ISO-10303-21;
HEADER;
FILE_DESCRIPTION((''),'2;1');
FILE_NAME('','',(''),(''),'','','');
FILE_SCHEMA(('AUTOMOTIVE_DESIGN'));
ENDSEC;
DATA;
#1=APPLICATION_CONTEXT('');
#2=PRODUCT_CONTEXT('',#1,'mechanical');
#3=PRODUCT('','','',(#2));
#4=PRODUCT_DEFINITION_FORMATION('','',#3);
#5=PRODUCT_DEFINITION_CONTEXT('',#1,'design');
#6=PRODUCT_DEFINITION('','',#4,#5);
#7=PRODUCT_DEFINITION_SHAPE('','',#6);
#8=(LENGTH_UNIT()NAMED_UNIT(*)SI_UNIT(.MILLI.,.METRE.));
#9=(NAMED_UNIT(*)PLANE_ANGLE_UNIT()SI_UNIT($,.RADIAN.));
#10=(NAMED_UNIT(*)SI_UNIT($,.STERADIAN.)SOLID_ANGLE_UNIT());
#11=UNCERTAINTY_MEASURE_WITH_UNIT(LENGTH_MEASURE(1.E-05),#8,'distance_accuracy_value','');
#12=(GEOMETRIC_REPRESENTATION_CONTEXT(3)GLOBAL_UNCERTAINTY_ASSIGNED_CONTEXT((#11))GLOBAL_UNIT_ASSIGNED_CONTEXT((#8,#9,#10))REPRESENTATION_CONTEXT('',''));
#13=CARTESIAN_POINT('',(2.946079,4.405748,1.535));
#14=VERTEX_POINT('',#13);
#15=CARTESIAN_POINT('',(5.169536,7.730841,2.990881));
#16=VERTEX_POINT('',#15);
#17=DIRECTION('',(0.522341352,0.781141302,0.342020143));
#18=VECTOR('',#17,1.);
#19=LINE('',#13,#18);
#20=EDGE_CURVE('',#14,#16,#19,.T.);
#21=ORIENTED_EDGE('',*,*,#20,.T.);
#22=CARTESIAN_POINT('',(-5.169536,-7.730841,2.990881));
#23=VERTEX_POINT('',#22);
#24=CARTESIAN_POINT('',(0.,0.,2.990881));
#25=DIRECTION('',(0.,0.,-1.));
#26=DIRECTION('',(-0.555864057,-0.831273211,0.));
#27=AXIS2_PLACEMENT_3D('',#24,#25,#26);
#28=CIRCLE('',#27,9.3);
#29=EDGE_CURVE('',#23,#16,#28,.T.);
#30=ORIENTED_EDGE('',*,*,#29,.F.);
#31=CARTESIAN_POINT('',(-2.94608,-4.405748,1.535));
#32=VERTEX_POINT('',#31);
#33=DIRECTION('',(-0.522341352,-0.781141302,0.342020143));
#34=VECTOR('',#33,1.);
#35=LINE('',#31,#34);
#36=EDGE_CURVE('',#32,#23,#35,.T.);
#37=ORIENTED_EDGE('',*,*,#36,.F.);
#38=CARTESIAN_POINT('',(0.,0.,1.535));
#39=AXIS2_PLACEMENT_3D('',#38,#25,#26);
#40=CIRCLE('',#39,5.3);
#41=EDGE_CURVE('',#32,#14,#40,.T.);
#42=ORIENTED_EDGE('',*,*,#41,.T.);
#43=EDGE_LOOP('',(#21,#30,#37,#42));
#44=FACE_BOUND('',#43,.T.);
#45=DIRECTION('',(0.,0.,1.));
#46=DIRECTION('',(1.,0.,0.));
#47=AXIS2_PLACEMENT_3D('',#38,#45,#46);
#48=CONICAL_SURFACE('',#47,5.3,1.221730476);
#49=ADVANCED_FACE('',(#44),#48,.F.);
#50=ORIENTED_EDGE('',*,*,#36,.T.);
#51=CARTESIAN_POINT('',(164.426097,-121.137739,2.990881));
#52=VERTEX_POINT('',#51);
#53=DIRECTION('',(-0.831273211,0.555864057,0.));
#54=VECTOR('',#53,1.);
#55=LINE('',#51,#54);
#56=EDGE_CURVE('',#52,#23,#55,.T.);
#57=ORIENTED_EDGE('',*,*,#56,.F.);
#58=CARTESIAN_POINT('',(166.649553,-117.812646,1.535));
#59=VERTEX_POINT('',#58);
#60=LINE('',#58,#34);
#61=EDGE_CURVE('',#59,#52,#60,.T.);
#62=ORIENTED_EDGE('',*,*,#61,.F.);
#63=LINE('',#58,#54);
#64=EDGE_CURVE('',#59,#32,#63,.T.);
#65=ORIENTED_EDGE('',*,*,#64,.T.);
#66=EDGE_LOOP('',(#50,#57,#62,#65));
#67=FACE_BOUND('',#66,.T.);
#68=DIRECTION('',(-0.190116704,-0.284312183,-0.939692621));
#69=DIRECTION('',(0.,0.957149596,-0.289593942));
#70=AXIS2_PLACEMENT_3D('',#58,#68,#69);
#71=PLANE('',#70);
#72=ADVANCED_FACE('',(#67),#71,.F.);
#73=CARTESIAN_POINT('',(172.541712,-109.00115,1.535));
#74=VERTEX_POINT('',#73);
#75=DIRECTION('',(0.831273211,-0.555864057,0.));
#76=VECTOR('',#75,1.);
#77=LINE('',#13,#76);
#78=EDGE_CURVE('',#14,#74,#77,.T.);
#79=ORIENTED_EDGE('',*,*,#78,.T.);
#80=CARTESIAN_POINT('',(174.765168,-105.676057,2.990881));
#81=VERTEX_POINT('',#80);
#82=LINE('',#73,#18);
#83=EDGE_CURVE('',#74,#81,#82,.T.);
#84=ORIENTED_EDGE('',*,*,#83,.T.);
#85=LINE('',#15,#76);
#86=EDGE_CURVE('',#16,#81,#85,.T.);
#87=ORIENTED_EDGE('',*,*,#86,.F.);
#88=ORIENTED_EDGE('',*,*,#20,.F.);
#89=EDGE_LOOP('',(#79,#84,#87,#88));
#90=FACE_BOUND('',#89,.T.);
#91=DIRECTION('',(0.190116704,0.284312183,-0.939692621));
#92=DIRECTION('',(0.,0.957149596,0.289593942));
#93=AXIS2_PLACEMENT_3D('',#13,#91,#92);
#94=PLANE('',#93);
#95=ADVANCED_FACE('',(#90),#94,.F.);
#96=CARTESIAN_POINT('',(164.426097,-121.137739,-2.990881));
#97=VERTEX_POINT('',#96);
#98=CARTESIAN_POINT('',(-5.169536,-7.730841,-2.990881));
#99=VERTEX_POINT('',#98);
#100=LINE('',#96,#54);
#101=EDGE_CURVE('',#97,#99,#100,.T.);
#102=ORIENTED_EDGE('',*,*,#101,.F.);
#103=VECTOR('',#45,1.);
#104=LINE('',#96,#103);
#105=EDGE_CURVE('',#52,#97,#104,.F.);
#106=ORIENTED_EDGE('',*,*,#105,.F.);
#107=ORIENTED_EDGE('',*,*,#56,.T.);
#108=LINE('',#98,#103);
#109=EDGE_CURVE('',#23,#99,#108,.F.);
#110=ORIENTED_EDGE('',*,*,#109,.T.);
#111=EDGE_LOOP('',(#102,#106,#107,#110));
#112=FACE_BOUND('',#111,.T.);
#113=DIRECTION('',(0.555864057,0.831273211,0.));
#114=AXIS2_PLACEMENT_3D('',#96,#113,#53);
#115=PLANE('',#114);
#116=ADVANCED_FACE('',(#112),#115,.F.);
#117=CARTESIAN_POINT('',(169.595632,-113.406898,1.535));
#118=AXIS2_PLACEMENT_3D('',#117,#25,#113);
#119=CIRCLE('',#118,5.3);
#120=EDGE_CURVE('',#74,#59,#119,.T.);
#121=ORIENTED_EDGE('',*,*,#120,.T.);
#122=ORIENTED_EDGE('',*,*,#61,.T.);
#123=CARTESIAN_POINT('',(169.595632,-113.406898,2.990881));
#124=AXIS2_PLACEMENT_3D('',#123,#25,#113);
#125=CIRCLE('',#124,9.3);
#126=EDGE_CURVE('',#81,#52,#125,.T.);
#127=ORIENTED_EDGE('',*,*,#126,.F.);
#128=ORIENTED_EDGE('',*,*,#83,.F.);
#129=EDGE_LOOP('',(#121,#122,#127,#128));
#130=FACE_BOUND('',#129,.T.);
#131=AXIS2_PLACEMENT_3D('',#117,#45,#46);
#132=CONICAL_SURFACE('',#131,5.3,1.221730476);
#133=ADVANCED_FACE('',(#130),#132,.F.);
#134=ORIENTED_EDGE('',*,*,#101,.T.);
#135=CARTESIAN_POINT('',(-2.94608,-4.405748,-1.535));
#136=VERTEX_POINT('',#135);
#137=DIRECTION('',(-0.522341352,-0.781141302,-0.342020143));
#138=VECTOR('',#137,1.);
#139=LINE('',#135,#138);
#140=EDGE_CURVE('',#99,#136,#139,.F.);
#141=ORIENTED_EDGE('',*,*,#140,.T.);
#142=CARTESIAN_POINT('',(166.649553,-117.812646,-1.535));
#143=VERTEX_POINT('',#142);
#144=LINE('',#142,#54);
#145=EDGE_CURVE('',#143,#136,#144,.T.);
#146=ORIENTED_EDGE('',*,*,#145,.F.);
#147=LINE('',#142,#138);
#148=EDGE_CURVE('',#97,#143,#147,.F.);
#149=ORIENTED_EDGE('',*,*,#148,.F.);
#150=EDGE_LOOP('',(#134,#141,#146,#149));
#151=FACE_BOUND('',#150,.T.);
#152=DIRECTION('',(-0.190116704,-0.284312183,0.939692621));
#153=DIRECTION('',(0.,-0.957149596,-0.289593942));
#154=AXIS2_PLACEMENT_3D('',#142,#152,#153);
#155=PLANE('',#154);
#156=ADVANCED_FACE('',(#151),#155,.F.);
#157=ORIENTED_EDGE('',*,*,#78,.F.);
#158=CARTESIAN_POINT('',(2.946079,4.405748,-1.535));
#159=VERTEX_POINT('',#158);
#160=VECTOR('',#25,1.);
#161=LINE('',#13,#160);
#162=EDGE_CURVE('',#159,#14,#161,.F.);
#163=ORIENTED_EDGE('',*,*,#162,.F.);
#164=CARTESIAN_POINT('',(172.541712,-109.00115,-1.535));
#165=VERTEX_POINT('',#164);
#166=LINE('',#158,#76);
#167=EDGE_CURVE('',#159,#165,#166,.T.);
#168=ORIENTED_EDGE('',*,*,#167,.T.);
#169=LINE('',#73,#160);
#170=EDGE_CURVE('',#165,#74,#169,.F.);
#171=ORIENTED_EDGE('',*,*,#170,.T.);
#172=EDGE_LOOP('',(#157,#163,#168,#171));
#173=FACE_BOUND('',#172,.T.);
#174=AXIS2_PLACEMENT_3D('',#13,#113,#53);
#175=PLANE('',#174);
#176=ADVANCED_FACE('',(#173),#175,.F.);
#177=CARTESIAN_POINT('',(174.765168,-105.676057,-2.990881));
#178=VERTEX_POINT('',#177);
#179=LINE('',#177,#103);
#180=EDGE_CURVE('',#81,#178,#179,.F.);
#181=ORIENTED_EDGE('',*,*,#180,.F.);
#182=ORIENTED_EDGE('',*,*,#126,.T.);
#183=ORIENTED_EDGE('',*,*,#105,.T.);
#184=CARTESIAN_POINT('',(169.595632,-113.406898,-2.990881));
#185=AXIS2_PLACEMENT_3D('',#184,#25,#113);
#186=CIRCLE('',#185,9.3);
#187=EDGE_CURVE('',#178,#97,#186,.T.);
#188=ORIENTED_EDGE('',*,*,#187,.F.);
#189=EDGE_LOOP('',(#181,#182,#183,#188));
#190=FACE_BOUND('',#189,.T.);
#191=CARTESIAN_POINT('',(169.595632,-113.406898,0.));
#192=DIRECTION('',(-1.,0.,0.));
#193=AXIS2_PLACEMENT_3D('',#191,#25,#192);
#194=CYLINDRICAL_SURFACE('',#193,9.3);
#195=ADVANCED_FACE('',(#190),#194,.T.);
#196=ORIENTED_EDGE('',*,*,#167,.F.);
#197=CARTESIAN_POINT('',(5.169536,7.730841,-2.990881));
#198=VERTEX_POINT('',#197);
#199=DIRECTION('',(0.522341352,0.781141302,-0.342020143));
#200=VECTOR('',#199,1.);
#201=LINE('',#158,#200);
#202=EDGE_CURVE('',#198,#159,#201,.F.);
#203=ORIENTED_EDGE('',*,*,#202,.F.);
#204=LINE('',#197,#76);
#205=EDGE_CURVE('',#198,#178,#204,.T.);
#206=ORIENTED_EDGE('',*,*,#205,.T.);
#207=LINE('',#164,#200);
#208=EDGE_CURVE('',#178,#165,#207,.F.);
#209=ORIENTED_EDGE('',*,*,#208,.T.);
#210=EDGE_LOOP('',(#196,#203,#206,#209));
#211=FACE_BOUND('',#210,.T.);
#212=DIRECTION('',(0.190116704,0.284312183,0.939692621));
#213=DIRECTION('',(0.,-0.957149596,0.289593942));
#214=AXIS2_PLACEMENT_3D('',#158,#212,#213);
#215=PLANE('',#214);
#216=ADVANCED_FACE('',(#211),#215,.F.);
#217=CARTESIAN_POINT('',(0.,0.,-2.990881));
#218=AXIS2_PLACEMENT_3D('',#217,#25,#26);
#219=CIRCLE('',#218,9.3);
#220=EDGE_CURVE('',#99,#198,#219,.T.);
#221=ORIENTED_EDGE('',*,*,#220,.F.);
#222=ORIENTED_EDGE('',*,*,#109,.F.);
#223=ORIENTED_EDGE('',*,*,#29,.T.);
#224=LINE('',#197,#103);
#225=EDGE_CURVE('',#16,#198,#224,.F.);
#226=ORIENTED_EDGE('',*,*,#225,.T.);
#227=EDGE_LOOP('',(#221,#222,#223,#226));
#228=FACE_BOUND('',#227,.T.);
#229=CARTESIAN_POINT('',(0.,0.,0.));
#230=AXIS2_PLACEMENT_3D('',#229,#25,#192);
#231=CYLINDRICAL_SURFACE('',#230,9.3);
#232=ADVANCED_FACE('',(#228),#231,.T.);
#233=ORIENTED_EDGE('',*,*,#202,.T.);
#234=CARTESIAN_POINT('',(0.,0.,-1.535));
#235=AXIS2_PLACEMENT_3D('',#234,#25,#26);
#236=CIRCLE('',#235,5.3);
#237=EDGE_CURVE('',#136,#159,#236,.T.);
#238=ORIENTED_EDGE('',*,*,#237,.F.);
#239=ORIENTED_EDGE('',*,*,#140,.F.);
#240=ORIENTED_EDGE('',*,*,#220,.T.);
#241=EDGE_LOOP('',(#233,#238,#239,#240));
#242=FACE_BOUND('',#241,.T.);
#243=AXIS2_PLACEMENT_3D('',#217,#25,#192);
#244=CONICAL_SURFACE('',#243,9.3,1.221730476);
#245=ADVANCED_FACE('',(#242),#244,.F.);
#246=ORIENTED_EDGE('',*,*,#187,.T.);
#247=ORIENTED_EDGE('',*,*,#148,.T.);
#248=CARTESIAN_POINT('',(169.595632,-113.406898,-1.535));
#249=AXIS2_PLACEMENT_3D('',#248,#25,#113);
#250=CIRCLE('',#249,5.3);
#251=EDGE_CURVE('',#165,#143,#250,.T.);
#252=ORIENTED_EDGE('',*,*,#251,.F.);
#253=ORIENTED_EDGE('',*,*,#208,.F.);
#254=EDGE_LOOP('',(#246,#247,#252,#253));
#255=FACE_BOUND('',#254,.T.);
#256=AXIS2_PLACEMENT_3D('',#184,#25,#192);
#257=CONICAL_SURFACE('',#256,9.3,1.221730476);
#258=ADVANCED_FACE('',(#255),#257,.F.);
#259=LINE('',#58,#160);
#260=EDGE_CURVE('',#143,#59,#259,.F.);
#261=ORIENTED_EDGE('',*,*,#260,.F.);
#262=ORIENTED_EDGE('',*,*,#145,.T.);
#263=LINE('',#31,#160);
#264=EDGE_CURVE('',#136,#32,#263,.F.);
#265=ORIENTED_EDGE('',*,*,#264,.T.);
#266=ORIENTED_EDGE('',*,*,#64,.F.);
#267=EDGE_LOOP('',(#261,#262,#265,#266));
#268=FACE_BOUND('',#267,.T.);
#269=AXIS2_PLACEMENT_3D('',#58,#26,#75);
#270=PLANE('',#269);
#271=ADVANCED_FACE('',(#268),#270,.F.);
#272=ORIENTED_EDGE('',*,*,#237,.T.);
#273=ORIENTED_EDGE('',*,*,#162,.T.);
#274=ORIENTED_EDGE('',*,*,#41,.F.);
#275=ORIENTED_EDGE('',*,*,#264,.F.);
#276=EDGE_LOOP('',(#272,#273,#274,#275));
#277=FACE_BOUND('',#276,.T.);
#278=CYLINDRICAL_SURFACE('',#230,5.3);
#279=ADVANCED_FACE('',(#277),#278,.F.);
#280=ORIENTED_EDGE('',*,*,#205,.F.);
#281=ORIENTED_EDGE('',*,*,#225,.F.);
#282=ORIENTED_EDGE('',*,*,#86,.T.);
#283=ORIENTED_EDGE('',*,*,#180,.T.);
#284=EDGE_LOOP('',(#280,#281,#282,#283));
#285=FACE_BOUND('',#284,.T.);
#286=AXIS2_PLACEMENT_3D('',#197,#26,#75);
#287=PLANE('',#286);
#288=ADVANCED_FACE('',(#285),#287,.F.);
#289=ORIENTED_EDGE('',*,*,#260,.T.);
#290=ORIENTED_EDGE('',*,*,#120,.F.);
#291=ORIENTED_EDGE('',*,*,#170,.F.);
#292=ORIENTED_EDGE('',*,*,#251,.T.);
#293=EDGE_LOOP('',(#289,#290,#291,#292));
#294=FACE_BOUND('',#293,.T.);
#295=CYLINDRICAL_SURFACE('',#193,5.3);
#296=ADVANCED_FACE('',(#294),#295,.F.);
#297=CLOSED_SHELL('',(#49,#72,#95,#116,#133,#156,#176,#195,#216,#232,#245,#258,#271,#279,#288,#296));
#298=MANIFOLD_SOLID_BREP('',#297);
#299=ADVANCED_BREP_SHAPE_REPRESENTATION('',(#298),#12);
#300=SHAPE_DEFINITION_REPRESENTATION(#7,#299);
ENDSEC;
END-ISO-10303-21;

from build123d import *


with BuildPart() as part:
    # 扫描1: sweep along a path in 草图2
    with BuildLine(Plane.XY) as sweep_1_path:
        Line((2.9460795, 4.405748016), (172.541711908, -109.001150006))
        ThreePointArc((172.541711908, -109.001150006), (174.001380423, -116.352977522), (166.649552907, -117.812646037))
        Line((166.649552907, -117.812646037), (-2.9460795, -4.405748016))
        ThreePointArc((-2.9460795, -4.405748016), (-4.405748016, 2.9460795), (2.9460795, 4.405748016))
    # 草图3 → 扫描1 (sweep)
    with BuildSketch(Plane(origin=(169.595632407, -113.406898022, 0), x_dir=(0, 0, -1), z_dir=(0.8312732105361001, -0.5558640566226642, 0))):
        Polygon((-1.535, 5.3), (1.535, 5.3), (2.990880937, 9.3), (-2.990880937, 9.3), align=None)
    sweep(path=sweep_1_path.line)


solid = part.part
